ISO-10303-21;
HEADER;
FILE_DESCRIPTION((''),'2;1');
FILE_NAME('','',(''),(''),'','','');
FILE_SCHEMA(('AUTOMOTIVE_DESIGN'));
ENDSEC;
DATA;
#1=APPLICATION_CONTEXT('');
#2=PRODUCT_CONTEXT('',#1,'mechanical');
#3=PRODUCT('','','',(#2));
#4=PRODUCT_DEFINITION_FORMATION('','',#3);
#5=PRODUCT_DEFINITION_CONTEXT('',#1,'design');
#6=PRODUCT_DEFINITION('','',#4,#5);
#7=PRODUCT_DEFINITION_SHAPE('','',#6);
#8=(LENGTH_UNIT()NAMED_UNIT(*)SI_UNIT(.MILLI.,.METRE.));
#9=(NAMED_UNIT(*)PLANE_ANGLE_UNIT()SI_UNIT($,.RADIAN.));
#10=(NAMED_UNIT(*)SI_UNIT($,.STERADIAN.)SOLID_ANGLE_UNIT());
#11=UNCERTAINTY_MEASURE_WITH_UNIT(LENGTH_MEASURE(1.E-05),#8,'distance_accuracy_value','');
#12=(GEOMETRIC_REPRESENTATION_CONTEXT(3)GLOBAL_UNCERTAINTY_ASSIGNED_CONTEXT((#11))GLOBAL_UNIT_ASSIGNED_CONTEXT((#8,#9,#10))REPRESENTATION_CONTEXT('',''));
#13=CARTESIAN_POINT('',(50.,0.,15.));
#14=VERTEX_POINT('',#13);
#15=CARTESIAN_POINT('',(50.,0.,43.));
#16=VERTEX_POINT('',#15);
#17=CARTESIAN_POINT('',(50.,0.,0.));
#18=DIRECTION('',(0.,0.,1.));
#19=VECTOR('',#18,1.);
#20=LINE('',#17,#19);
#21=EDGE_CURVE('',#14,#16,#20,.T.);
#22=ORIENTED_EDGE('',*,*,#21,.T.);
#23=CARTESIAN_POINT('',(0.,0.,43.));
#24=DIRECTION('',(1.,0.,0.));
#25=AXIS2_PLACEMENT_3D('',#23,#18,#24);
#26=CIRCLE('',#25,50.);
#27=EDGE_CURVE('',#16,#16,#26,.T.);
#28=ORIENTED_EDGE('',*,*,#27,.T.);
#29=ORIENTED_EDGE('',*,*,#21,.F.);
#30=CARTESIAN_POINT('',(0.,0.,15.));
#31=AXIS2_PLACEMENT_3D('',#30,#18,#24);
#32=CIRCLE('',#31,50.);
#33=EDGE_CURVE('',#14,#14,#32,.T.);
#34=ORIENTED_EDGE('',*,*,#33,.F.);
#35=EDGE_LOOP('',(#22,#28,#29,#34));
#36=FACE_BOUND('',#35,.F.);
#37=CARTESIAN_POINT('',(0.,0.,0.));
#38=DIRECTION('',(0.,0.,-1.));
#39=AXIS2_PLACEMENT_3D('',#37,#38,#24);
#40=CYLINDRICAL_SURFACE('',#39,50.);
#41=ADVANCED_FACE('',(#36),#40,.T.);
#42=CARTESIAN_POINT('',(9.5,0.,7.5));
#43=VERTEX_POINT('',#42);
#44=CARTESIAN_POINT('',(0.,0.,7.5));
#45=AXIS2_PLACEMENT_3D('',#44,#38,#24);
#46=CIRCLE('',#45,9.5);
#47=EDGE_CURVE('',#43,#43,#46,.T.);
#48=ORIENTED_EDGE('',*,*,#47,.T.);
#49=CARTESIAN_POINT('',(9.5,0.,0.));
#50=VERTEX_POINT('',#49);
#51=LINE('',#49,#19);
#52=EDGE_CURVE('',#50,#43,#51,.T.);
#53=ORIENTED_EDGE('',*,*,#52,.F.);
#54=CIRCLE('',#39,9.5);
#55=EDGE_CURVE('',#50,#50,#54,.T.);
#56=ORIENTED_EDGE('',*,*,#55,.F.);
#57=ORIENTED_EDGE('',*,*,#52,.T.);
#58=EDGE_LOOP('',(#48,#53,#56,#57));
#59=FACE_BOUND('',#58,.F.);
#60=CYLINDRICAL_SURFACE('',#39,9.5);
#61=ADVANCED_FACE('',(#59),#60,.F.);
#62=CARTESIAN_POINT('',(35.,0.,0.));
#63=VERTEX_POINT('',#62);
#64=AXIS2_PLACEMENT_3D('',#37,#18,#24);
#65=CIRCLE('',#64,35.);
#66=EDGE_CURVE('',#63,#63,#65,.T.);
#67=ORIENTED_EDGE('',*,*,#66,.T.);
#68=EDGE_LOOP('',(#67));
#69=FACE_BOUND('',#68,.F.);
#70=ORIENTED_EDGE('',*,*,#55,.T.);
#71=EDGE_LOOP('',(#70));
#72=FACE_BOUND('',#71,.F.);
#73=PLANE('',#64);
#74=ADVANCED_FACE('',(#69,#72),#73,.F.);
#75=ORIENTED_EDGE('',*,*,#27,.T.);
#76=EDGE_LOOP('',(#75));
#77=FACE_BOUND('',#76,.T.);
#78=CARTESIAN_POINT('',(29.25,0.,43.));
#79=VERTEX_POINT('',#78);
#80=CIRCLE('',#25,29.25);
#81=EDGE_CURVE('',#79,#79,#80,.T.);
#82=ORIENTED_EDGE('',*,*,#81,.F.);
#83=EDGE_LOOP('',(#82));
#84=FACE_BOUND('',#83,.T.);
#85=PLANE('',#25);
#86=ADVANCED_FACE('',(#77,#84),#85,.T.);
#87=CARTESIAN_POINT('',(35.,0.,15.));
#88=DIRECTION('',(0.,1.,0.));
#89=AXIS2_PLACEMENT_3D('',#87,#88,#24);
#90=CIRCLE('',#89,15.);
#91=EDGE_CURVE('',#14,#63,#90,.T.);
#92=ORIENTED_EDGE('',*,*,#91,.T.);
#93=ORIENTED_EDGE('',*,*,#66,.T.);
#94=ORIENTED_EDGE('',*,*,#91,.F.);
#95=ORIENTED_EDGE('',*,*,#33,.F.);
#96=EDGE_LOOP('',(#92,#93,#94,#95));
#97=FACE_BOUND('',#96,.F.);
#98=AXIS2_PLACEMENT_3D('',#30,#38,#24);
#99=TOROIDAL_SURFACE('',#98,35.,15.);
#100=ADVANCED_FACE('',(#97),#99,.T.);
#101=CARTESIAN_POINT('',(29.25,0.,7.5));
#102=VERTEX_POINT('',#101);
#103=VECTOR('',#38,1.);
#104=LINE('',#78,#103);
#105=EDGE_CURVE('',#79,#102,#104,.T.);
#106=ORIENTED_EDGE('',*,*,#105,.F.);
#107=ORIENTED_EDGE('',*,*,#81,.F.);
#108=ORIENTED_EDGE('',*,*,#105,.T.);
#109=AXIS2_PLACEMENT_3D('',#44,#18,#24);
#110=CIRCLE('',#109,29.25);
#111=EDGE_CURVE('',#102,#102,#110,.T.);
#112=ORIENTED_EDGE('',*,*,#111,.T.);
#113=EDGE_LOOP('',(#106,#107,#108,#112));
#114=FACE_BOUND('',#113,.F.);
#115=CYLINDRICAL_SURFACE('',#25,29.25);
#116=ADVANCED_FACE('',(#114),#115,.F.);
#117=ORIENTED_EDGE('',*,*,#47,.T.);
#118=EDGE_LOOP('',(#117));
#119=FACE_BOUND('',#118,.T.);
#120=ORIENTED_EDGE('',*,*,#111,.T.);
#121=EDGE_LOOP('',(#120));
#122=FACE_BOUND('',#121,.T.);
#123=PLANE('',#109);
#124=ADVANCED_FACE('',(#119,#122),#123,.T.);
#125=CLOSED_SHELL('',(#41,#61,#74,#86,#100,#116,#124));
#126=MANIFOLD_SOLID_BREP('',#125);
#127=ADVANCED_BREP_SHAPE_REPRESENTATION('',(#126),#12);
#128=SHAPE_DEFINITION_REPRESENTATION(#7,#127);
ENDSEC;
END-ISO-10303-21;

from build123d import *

# Parameters (mm, degrees)
F0_R     = 50
F1_DEPTH = 43
F2_R     = 29.25
F3_DEPTH = 35.5
F4_R     = 15
F5_R     = 9.5
F6_DEPTH = 8


with BuildPart() as f1:
    # F0 (on Top) → F1 (new body)
    with BuildSketch(Plane.XY):
        Circle(F0_R)
    extrude(amount=F1_DEPTH)

    # F2 (on face) → F3 (cut)
    with BuildSketch(Plane.XY.offset(43)):
        Circle(F2_R)
    extrude(amount=-F3_DEPTH, mode=Mode.SUBTRACT)

    # F4
    f4_edges = [f1.edges().sort_by_distance(p)[0] for p in [
        (-50, 0, 0),
    ]]
    fillet(f4_edges, radius=F4_R)

    # F5 (on face) → F6 (cut)
    with BuildSketch(Plane(origin=(0, 0, 0), x_dir=(1, 0, 0), z_dir=(0, 0, -1))):
        Circle(F5_R)
    extrude(amount=-F6_DEPTH, mode=Mode.SUBTRACT)


solid = f1.part
